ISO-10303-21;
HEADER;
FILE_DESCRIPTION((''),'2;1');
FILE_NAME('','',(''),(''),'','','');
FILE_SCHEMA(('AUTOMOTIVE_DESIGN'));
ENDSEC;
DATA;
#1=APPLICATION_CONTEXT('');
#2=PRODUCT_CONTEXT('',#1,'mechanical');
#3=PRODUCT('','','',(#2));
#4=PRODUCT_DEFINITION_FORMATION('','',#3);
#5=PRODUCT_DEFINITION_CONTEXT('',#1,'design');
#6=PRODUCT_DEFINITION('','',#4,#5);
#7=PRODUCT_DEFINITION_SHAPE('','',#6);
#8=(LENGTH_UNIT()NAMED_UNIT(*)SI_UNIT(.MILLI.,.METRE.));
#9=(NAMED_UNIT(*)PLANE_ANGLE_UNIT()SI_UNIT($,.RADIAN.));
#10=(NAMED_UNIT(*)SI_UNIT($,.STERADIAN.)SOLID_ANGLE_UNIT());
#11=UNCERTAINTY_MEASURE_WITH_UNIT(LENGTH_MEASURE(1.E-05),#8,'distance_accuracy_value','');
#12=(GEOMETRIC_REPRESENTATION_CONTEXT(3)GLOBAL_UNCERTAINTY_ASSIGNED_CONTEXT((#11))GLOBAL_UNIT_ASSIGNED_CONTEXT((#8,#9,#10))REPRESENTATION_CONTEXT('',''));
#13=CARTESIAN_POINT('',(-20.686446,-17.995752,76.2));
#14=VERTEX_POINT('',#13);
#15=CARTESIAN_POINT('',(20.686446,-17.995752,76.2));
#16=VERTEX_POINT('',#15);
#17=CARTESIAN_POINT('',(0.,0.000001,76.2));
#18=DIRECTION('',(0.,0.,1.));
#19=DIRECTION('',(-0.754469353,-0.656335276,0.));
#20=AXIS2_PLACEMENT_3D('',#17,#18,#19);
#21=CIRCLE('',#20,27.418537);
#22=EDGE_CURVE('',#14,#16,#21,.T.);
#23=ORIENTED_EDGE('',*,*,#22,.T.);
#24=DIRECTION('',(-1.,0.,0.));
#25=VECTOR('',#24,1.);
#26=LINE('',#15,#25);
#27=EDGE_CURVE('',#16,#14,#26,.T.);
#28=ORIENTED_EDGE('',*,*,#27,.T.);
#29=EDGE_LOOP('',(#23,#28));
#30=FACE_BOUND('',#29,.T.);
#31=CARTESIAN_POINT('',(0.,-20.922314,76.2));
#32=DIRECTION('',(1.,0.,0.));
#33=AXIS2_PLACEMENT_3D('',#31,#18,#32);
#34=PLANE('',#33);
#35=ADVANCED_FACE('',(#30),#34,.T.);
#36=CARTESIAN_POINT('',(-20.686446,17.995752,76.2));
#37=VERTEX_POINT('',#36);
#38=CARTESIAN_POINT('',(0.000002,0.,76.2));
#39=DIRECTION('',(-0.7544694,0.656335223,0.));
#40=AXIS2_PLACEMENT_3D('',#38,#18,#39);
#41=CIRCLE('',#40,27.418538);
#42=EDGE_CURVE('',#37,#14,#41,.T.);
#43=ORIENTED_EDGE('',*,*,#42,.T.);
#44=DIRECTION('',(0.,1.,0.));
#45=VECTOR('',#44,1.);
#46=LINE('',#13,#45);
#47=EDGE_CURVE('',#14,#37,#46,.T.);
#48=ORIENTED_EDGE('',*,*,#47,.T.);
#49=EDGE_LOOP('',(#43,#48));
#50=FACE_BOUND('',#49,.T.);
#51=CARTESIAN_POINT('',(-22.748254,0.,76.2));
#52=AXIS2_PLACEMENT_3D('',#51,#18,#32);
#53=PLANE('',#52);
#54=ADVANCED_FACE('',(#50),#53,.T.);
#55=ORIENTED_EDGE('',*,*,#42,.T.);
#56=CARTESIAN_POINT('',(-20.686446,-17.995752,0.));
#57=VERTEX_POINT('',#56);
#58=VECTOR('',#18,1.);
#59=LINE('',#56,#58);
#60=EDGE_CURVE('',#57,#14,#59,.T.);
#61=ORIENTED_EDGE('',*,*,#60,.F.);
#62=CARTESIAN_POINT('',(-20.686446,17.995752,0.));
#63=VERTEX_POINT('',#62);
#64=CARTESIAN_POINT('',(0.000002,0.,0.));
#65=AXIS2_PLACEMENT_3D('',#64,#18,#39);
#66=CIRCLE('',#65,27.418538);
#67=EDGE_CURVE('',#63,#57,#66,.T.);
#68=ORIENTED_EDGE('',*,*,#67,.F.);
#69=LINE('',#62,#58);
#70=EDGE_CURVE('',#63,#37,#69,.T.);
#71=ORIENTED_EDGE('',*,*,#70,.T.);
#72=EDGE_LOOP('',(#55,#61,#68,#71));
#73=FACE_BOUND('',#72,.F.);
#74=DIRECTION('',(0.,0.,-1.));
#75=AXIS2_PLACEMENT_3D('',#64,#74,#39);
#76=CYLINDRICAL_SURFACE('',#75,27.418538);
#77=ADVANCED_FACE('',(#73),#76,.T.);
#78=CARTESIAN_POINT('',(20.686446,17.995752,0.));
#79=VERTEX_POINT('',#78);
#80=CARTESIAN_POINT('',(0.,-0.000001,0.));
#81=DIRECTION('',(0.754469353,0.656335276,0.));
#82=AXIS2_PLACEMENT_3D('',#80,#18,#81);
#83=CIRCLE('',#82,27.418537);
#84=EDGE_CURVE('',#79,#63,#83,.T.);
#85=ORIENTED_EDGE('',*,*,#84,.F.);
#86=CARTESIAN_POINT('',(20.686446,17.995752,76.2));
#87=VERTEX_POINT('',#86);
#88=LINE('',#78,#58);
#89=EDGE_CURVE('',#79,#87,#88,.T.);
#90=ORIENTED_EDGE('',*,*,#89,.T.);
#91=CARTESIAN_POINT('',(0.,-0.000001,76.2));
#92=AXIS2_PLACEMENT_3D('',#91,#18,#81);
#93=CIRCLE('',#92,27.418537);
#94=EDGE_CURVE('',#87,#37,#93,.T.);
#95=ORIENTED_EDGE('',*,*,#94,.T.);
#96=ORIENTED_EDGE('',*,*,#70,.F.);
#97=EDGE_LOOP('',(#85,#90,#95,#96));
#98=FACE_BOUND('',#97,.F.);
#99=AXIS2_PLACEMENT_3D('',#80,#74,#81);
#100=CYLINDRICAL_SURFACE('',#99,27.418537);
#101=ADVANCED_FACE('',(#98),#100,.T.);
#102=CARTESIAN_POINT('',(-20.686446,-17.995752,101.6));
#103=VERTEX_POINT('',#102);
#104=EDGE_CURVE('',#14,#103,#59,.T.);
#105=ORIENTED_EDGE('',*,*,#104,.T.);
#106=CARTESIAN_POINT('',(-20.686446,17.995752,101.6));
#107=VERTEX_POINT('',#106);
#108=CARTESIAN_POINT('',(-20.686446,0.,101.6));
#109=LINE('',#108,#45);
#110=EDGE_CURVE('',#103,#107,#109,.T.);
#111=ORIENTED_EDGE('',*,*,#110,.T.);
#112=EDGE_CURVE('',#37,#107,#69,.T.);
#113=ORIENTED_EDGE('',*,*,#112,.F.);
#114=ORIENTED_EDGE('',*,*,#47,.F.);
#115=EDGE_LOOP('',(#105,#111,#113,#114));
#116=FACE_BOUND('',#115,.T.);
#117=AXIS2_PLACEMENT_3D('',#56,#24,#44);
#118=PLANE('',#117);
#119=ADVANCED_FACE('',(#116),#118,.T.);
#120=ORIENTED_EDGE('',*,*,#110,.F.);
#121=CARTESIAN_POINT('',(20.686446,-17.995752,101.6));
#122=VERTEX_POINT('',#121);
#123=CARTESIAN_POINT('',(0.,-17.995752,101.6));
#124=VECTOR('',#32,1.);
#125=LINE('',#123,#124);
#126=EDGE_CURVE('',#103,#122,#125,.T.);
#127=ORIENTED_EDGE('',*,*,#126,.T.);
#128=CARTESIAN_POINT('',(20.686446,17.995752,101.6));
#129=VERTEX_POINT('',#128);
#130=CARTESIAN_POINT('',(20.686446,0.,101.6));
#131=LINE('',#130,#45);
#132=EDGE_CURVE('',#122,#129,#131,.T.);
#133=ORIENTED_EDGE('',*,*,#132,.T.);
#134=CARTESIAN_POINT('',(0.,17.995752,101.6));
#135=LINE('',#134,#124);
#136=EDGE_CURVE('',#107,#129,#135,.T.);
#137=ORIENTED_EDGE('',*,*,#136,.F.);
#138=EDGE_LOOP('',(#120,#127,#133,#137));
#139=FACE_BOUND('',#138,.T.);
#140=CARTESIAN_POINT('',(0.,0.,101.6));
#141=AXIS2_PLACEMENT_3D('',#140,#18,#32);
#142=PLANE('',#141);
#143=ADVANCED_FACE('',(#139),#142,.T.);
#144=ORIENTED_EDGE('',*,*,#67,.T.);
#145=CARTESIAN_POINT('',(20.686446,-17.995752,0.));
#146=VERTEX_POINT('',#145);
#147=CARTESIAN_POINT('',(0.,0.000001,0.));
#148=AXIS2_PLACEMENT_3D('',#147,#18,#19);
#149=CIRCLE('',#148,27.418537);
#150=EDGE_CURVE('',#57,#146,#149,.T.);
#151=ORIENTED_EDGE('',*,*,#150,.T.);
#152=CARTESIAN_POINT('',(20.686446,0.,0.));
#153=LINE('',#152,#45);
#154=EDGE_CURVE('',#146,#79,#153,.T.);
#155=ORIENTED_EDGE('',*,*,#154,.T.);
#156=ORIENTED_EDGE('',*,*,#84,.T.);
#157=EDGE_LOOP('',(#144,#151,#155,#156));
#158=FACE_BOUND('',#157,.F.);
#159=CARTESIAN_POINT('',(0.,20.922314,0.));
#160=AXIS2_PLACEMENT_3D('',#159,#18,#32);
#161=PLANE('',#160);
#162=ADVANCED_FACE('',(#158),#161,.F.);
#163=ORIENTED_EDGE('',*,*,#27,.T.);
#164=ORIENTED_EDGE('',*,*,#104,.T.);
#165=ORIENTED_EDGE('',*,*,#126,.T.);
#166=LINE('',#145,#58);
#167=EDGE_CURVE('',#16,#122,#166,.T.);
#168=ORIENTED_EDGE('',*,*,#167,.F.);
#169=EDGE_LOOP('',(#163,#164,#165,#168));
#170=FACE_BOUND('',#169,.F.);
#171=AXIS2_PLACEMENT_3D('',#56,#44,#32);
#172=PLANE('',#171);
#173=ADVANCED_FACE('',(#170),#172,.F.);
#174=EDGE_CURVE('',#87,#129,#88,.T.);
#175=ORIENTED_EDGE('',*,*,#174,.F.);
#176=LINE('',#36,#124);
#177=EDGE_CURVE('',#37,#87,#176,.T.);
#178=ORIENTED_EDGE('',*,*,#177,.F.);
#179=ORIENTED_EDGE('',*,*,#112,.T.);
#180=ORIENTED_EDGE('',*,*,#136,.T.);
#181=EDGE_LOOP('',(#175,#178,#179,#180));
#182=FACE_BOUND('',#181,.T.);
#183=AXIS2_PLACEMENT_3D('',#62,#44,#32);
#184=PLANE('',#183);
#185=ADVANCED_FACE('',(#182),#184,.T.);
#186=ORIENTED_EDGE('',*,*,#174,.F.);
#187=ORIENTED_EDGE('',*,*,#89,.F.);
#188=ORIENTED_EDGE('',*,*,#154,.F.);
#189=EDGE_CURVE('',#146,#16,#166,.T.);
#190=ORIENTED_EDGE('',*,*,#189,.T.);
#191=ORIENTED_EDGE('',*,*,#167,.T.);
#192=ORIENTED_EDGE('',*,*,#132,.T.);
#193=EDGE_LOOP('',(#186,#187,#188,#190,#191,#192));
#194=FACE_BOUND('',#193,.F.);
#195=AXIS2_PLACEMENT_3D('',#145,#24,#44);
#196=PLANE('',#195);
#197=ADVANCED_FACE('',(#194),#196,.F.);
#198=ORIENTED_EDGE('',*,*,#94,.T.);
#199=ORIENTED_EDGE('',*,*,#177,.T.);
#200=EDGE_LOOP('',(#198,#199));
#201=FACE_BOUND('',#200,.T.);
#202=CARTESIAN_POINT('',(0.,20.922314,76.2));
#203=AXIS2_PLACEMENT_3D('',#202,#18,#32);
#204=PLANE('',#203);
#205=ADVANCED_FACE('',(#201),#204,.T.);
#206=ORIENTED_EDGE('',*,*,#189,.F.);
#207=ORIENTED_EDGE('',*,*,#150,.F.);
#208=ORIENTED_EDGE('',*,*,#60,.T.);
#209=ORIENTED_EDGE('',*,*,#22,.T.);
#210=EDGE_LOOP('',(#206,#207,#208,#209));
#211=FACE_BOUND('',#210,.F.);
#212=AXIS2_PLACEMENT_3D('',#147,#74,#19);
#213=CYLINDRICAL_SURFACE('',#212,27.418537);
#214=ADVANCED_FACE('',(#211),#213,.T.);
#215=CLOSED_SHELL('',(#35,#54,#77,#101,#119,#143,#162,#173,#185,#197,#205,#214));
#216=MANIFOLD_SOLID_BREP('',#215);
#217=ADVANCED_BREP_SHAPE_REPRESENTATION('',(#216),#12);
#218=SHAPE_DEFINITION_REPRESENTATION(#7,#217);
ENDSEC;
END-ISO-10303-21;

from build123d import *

# Parameters (mm, degrees)
F0_W     = 41.372892
F0_H     = 35.991504
F1_DEPTH = 101.6
F2_DEPTH = 76.2


with BuildPart() as f1:
    # F0 (on Top) → F1 (new body)
    with BuildSketch(Plane.XY):
        Rectangle(F0_W, F0_H)
    extrude(amount=F1_DEPTH)

    # F0 (on Top) → F2 (join)
    with BuildSketch(Plane.XY):
        with BuildLine():
            Line((-20.686446, 17.995752), (20.686446, 17.995752))
            ThreePointArc((20.686446, 17.995752), (0, 27.418536), (-20.686446, 17.995752))
        make_face()
        with BuildLine():
            Line((-20.686446, -17.995752), (-20.686446, 17.995752))
            ThreePointArc((-20.686446, 17.995752), (-27.418536, 0), (-20.686446, -17.995752))
        make_face()
        with BuildLine():
            ThreePointArc((-20.686446, -17.995752), (0, -27.418536), (20.686446, -17.995752))
            Line((20.686446, -17.995752), (-20.686446, -17.995752))
        make_face()
    extrude(amount=F2_DEPTH)


solid = f1.part
